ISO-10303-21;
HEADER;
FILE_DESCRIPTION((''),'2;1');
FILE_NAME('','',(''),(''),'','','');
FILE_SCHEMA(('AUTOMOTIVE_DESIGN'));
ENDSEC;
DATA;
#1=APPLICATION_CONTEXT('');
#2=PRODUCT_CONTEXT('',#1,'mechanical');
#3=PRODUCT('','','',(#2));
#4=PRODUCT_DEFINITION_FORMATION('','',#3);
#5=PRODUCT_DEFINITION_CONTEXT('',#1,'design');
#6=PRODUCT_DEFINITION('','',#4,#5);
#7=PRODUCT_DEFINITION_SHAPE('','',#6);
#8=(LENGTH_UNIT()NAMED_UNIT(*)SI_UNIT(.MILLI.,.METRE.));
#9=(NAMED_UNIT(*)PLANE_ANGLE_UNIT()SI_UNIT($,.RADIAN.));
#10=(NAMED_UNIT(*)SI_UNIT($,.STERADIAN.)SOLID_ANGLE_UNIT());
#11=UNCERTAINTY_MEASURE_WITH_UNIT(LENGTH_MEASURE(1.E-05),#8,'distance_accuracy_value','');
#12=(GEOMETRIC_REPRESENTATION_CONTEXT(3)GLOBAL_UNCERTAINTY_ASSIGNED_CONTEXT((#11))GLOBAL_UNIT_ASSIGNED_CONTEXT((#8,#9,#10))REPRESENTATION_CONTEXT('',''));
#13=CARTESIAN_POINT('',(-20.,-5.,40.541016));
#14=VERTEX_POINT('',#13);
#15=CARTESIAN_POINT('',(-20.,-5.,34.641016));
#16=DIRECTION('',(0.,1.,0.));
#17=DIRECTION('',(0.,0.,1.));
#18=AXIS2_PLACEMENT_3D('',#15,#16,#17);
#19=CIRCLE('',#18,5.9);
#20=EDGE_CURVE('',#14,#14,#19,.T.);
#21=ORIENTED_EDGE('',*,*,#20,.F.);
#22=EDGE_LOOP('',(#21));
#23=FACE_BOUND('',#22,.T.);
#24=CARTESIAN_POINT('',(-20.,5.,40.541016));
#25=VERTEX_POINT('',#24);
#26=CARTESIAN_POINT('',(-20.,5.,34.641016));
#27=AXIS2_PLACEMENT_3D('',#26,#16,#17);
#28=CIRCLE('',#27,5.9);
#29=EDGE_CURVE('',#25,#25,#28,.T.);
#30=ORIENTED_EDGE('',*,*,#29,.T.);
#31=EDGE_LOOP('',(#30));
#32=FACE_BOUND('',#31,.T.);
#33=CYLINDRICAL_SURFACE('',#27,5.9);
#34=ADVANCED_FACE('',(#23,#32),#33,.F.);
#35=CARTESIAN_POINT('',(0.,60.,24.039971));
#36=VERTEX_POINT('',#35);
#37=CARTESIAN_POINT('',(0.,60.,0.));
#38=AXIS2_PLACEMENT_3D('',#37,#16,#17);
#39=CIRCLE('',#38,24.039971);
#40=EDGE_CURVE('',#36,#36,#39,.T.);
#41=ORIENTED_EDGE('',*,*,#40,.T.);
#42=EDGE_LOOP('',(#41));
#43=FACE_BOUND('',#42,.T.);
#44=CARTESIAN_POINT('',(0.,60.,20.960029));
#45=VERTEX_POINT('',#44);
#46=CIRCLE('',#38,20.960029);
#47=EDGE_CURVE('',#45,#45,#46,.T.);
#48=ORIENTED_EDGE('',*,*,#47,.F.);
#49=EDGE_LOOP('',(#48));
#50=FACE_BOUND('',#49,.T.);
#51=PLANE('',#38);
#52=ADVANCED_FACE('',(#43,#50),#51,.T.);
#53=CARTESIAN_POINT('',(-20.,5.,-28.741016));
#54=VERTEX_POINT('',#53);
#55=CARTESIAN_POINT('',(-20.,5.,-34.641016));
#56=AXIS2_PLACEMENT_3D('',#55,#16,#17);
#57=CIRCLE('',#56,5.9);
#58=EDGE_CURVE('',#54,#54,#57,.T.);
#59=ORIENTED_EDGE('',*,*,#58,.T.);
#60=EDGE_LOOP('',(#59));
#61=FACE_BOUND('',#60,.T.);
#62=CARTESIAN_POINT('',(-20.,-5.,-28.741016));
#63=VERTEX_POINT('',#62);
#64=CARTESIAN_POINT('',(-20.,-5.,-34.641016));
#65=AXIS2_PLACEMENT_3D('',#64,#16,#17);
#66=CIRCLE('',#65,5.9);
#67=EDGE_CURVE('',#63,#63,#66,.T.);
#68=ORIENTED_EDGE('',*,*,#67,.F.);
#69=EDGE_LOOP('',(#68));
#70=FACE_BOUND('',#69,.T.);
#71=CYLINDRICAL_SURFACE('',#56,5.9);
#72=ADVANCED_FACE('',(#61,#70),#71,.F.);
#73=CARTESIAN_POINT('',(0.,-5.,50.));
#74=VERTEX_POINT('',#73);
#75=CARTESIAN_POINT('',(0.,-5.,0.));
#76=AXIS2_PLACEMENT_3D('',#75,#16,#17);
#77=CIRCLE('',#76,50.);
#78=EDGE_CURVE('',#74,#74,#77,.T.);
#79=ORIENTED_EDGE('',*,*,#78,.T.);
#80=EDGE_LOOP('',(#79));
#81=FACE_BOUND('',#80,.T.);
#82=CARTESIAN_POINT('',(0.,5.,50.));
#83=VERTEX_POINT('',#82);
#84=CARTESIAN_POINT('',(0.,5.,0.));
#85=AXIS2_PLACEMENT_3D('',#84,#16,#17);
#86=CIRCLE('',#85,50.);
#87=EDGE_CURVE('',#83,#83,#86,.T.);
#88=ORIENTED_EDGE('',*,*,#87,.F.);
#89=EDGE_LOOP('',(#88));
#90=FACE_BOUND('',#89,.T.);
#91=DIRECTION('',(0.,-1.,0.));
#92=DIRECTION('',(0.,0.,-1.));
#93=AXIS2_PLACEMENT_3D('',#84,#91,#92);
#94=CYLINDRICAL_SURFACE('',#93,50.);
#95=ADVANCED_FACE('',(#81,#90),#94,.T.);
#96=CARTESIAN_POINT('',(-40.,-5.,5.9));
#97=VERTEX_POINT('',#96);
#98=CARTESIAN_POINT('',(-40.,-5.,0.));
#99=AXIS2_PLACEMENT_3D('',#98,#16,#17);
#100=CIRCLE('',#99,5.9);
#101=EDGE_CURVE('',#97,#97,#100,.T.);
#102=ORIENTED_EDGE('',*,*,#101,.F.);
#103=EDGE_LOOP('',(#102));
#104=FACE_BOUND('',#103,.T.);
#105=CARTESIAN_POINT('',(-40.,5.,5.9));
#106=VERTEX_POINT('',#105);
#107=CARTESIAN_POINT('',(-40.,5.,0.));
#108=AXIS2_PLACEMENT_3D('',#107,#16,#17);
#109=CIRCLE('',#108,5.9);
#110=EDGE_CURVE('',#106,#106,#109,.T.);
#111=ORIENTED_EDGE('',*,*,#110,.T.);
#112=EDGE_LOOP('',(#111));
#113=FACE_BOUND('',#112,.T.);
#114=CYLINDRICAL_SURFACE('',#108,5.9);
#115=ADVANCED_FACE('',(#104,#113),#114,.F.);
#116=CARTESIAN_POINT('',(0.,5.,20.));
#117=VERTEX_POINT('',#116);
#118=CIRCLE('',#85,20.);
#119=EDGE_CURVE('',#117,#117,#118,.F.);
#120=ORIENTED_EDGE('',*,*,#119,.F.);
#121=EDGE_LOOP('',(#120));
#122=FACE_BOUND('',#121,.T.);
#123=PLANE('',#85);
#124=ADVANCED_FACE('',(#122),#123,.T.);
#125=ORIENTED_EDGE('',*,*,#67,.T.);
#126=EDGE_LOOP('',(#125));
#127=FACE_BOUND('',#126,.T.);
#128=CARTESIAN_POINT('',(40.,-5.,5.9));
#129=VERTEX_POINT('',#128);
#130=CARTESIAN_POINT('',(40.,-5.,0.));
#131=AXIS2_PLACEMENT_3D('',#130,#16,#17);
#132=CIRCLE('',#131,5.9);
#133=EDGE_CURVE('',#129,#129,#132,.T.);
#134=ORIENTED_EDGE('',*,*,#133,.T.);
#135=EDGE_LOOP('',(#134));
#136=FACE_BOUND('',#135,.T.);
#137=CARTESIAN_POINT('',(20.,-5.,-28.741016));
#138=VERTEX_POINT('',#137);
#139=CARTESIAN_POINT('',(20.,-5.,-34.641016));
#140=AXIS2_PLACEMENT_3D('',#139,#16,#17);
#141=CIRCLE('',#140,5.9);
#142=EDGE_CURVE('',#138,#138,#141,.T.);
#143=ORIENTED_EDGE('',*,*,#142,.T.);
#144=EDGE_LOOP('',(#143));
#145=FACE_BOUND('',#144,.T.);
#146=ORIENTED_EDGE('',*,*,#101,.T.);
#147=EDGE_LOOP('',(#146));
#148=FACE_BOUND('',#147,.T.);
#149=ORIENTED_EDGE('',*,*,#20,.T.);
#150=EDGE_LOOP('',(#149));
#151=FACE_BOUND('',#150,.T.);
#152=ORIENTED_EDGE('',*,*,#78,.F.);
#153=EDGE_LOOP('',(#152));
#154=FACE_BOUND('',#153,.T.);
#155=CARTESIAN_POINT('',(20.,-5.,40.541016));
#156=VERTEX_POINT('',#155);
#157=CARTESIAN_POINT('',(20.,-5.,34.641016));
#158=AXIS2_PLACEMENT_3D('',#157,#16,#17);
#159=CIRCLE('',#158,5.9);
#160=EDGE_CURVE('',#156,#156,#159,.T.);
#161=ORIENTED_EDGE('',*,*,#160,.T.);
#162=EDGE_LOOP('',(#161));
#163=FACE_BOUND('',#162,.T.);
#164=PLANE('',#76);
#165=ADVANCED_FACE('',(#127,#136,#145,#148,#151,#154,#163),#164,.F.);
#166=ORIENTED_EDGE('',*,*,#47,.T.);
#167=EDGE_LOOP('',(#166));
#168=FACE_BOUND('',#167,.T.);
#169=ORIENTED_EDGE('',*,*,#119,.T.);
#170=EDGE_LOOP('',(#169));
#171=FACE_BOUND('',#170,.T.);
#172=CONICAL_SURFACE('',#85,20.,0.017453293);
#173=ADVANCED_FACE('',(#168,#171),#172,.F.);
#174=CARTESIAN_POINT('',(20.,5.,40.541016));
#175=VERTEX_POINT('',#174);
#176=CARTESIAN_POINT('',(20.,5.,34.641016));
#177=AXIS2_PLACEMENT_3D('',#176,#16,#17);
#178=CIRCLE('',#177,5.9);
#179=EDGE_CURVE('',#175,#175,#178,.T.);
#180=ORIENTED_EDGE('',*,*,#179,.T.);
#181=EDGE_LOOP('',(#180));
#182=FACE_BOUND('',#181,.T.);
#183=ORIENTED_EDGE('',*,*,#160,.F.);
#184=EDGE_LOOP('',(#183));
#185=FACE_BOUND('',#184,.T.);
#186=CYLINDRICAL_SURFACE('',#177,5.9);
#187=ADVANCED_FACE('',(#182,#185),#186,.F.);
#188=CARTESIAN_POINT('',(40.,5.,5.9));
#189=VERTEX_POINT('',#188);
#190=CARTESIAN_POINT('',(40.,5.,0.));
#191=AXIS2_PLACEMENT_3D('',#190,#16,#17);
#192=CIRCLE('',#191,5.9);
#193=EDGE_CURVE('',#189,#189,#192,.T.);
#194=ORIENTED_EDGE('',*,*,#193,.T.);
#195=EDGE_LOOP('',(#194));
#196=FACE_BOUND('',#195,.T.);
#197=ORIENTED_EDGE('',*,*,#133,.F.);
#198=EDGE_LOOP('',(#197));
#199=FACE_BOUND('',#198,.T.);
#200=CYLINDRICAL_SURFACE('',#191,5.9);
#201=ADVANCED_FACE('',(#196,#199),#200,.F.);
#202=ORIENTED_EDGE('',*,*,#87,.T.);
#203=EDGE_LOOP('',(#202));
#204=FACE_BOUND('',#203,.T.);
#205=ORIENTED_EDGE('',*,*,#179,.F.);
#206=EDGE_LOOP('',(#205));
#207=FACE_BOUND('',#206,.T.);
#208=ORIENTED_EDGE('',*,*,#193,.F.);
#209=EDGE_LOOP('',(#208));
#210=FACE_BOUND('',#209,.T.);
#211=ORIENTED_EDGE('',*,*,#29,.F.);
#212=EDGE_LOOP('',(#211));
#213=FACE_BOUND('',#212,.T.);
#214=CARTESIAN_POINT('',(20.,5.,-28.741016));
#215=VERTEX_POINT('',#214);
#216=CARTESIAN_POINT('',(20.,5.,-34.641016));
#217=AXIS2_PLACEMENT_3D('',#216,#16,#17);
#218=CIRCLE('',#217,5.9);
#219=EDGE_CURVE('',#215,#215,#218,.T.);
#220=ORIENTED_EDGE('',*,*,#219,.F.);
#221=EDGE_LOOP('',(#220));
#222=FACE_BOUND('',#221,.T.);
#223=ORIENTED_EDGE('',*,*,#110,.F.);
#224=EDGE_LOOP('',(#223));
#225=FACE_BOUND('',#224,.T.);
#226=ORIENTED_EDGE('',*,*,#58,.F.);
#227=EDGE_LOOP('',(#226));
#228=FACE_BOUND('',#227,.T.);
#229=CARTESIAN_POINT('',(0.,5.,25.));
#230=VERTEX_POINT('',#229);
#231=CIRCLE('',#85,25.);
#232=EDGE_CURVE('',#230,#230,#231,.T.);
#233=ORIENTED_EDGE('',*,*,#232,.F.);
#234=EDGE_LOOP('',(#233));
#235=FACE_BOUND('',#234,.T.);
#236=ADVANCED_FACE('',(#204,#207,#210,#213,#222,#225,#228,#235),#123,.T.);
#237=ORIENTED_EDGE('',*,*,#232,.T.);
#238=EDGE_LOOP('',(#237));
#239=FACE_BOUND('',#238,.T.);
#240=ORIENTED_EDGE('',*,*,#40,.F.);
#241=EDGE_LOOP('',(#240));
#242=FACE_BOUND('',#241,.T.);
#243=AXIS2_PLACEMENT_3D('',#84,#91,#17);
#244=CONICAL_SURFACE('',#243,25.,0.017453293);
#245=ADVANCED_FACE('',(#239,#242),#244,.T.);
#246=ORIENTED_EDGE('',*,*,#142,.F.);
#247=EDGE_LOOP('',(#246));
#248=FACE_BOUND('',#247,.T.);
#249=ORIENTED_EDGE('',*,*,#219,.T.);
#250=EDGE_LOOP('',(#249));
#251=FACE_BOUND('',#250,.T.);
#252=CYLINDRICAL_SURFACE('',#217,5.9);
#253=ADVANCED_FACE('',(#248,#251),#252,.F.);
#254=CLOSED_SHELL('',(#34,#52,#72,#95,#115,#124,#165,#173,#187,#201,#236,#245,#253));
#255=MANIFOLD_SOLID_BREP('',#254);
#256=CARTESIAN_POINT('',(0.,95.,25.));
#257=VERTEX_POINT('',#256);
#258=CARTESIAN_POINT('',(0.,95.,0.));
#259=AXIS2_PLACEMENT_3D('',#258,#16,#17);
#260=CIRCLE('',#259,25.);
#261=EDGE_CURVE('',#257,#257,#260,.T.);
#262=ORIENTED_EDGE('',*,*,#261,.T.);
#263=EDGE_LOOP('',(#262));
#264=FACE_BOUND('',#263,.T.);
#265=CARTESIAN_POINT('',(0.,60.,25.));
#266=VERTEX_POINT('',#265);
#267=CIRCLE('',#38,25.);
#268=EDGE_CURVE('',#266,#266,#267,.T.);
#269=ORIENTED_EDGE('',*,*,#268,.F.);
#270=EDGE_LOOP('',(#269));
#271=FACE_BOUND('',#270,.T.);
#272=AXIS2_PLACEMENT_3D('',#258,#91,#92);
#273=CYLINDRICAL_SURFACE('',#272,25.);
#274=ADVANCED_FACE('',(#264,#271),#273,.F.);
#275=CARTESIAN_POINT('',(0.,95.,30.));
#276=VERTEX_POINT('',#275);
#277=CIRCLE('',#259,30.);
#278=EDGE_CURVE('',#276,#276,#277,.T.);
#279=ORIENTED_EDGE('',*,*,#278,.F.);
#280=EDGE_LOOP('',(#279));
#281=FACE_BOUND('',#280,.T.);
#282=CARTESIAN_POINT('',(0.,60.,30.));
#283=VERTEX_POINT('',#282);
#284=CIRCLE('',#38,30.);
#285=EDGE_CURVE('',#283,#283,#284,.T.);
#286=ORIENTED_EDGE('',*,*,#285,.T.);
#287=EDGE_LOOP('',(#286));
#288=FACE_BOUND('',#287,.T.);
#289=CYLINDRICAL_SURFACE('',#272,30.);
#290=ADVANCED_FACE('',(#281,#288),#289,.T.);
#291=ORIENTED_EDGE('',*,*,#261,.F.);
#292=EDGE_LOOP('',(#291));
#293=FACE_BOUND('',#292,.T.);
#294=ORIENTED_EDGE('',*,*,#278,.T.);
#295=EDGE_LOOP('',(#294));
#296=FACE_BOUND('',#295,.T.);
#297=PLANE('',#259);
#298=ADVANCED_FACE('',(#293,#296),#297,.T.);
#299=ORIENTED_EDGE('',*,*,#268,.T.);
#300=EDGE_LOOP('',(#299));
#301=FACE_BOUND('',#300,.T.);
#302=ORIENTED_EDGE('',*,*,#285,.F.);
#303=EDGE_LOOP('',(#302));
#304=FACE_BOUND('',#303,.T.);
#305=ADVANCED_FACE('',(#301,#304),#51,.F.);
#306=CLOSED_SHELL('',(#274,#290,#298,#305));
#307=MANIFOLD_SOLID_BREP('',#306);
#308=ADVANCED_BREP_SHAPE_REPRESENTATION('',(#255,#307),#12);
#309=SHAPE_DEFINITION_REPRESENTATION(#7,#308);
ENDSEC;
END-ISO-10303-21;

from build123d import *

# Parameters (mm, degrees)
SKETCH1_R           = 50
BOSS_EXTRUDE1_DEPTH = 5
SKETCH2_R           = 25
SKETCH2_R_2         = 20
BOSS_EXTRUDE2_DEPTH = 55
BOSS_EXTRUDE2_DRAFT = 1
SKETCH3_R           = 30
SKETCH3_R_2         = 25
BOSS_EXTRUDE3_DEPTH = 35
SKETCH5_W           = 5.9
SKETCH5_H           = 10
CIRPATTERN1_COUNT   = 6


with BuildPart() as part:
    # Sketch1 → Boss-Extrude1 (new, symmetric)
    with BuildSketch(Plane(origin=(0, 0, 0), x_dir=(1, 0, 0), z_dir=(0, 1, 0))):
        with Locations(Location((0, 0, 0), (0, 0, 270))):
            Circle(SKETCH1_R)
    extrude(amount=BOSS_EXTRUDE1_DEPTH, both=True)


with BuildPart() as boss_extrude2_tool:
    # Sketch2 → Boss-Extrude2 (with draft: the straight prism first)
    with BuildSketch(Plane(origin=(0, 5, 0), x_dir=(1, 0, 0), z_dir=(0, 1, 0))):
        Circle(SKETCH2_R)
        Circle(SKETCH2_R_2, mode=Mode.SUBTRACT)
    extrude(amount=BOSS_EXTRUDE2_DEPTH)
    # Boss-Extrude2: the draft: its side faces are tilted about the plane it starts from
    boss_extrude2_sides = [boss_extrude2_tool.faces().sort_by_distance(p)[0] for p in [
        (-25, 32.5, 0),
        (-20, 32.5, 0),
    ]]
    draft(boss_extrude2_sides, Plane(origin=(0, 5, 0), x_dir=(1, 0, 0), z_dir=(0, 1, 0)), BOSS_EXTRUDE2_DRAFT)


with BuildPart() as part_1:
    add(part.part)

    # Boss-Extrude2: add boss_extrude2_tool
    add(boss_extrude2_tool.part)

    # Sketch5 → Hole1 (revolve, cut)
    with BuildSketch(Plane(origin=(40, 5, 0), x_dir=(0, 0, 1), z_dir=(1, 0, 0))):
        with Locations((2.95, 5)):
            Rectangle(SKETCH5_W, SKETCH5_H)
    hole1 = revolve(axis=Axis((40, -105, 0), (0, 1, 0)), mode=Mode.SUBTRACT)

    # CirPattern1: Hole1 ×6 about axis
    cirpattern1_axis = Axis((0, 0, 0), (0, 1, 0))
    for i in range(1, CIRPATTERN1_COUNT):
        add(hole1.rotate(cirpattern1_axis, i * 360 / CIRPATTERN1_COUNT), mode=Mode.SUBTRACT)


with BuildPart() as body_2:
    # Sketch3 → Boss-Extrude3 (new body)
    with BuildSketch(Plane(origin=(0, 60, 0), x_dir=(1, 0, 0), z_dir=(0, 1, 0))):
        with Locations(Location((0, 0, 0), (0, 0, 270))):
            Circle(SKETCH3_R)
        with Locations(Location((0, 0, 0), (0, 0, 270))):
            Circle(SKETCH3_R_2, mode=Mode.SUBTRACT)
    extrude(amount=BOSS_EXTRUDE3_DEPTH)


solid = Compound([part_1.part, body_2.part])
